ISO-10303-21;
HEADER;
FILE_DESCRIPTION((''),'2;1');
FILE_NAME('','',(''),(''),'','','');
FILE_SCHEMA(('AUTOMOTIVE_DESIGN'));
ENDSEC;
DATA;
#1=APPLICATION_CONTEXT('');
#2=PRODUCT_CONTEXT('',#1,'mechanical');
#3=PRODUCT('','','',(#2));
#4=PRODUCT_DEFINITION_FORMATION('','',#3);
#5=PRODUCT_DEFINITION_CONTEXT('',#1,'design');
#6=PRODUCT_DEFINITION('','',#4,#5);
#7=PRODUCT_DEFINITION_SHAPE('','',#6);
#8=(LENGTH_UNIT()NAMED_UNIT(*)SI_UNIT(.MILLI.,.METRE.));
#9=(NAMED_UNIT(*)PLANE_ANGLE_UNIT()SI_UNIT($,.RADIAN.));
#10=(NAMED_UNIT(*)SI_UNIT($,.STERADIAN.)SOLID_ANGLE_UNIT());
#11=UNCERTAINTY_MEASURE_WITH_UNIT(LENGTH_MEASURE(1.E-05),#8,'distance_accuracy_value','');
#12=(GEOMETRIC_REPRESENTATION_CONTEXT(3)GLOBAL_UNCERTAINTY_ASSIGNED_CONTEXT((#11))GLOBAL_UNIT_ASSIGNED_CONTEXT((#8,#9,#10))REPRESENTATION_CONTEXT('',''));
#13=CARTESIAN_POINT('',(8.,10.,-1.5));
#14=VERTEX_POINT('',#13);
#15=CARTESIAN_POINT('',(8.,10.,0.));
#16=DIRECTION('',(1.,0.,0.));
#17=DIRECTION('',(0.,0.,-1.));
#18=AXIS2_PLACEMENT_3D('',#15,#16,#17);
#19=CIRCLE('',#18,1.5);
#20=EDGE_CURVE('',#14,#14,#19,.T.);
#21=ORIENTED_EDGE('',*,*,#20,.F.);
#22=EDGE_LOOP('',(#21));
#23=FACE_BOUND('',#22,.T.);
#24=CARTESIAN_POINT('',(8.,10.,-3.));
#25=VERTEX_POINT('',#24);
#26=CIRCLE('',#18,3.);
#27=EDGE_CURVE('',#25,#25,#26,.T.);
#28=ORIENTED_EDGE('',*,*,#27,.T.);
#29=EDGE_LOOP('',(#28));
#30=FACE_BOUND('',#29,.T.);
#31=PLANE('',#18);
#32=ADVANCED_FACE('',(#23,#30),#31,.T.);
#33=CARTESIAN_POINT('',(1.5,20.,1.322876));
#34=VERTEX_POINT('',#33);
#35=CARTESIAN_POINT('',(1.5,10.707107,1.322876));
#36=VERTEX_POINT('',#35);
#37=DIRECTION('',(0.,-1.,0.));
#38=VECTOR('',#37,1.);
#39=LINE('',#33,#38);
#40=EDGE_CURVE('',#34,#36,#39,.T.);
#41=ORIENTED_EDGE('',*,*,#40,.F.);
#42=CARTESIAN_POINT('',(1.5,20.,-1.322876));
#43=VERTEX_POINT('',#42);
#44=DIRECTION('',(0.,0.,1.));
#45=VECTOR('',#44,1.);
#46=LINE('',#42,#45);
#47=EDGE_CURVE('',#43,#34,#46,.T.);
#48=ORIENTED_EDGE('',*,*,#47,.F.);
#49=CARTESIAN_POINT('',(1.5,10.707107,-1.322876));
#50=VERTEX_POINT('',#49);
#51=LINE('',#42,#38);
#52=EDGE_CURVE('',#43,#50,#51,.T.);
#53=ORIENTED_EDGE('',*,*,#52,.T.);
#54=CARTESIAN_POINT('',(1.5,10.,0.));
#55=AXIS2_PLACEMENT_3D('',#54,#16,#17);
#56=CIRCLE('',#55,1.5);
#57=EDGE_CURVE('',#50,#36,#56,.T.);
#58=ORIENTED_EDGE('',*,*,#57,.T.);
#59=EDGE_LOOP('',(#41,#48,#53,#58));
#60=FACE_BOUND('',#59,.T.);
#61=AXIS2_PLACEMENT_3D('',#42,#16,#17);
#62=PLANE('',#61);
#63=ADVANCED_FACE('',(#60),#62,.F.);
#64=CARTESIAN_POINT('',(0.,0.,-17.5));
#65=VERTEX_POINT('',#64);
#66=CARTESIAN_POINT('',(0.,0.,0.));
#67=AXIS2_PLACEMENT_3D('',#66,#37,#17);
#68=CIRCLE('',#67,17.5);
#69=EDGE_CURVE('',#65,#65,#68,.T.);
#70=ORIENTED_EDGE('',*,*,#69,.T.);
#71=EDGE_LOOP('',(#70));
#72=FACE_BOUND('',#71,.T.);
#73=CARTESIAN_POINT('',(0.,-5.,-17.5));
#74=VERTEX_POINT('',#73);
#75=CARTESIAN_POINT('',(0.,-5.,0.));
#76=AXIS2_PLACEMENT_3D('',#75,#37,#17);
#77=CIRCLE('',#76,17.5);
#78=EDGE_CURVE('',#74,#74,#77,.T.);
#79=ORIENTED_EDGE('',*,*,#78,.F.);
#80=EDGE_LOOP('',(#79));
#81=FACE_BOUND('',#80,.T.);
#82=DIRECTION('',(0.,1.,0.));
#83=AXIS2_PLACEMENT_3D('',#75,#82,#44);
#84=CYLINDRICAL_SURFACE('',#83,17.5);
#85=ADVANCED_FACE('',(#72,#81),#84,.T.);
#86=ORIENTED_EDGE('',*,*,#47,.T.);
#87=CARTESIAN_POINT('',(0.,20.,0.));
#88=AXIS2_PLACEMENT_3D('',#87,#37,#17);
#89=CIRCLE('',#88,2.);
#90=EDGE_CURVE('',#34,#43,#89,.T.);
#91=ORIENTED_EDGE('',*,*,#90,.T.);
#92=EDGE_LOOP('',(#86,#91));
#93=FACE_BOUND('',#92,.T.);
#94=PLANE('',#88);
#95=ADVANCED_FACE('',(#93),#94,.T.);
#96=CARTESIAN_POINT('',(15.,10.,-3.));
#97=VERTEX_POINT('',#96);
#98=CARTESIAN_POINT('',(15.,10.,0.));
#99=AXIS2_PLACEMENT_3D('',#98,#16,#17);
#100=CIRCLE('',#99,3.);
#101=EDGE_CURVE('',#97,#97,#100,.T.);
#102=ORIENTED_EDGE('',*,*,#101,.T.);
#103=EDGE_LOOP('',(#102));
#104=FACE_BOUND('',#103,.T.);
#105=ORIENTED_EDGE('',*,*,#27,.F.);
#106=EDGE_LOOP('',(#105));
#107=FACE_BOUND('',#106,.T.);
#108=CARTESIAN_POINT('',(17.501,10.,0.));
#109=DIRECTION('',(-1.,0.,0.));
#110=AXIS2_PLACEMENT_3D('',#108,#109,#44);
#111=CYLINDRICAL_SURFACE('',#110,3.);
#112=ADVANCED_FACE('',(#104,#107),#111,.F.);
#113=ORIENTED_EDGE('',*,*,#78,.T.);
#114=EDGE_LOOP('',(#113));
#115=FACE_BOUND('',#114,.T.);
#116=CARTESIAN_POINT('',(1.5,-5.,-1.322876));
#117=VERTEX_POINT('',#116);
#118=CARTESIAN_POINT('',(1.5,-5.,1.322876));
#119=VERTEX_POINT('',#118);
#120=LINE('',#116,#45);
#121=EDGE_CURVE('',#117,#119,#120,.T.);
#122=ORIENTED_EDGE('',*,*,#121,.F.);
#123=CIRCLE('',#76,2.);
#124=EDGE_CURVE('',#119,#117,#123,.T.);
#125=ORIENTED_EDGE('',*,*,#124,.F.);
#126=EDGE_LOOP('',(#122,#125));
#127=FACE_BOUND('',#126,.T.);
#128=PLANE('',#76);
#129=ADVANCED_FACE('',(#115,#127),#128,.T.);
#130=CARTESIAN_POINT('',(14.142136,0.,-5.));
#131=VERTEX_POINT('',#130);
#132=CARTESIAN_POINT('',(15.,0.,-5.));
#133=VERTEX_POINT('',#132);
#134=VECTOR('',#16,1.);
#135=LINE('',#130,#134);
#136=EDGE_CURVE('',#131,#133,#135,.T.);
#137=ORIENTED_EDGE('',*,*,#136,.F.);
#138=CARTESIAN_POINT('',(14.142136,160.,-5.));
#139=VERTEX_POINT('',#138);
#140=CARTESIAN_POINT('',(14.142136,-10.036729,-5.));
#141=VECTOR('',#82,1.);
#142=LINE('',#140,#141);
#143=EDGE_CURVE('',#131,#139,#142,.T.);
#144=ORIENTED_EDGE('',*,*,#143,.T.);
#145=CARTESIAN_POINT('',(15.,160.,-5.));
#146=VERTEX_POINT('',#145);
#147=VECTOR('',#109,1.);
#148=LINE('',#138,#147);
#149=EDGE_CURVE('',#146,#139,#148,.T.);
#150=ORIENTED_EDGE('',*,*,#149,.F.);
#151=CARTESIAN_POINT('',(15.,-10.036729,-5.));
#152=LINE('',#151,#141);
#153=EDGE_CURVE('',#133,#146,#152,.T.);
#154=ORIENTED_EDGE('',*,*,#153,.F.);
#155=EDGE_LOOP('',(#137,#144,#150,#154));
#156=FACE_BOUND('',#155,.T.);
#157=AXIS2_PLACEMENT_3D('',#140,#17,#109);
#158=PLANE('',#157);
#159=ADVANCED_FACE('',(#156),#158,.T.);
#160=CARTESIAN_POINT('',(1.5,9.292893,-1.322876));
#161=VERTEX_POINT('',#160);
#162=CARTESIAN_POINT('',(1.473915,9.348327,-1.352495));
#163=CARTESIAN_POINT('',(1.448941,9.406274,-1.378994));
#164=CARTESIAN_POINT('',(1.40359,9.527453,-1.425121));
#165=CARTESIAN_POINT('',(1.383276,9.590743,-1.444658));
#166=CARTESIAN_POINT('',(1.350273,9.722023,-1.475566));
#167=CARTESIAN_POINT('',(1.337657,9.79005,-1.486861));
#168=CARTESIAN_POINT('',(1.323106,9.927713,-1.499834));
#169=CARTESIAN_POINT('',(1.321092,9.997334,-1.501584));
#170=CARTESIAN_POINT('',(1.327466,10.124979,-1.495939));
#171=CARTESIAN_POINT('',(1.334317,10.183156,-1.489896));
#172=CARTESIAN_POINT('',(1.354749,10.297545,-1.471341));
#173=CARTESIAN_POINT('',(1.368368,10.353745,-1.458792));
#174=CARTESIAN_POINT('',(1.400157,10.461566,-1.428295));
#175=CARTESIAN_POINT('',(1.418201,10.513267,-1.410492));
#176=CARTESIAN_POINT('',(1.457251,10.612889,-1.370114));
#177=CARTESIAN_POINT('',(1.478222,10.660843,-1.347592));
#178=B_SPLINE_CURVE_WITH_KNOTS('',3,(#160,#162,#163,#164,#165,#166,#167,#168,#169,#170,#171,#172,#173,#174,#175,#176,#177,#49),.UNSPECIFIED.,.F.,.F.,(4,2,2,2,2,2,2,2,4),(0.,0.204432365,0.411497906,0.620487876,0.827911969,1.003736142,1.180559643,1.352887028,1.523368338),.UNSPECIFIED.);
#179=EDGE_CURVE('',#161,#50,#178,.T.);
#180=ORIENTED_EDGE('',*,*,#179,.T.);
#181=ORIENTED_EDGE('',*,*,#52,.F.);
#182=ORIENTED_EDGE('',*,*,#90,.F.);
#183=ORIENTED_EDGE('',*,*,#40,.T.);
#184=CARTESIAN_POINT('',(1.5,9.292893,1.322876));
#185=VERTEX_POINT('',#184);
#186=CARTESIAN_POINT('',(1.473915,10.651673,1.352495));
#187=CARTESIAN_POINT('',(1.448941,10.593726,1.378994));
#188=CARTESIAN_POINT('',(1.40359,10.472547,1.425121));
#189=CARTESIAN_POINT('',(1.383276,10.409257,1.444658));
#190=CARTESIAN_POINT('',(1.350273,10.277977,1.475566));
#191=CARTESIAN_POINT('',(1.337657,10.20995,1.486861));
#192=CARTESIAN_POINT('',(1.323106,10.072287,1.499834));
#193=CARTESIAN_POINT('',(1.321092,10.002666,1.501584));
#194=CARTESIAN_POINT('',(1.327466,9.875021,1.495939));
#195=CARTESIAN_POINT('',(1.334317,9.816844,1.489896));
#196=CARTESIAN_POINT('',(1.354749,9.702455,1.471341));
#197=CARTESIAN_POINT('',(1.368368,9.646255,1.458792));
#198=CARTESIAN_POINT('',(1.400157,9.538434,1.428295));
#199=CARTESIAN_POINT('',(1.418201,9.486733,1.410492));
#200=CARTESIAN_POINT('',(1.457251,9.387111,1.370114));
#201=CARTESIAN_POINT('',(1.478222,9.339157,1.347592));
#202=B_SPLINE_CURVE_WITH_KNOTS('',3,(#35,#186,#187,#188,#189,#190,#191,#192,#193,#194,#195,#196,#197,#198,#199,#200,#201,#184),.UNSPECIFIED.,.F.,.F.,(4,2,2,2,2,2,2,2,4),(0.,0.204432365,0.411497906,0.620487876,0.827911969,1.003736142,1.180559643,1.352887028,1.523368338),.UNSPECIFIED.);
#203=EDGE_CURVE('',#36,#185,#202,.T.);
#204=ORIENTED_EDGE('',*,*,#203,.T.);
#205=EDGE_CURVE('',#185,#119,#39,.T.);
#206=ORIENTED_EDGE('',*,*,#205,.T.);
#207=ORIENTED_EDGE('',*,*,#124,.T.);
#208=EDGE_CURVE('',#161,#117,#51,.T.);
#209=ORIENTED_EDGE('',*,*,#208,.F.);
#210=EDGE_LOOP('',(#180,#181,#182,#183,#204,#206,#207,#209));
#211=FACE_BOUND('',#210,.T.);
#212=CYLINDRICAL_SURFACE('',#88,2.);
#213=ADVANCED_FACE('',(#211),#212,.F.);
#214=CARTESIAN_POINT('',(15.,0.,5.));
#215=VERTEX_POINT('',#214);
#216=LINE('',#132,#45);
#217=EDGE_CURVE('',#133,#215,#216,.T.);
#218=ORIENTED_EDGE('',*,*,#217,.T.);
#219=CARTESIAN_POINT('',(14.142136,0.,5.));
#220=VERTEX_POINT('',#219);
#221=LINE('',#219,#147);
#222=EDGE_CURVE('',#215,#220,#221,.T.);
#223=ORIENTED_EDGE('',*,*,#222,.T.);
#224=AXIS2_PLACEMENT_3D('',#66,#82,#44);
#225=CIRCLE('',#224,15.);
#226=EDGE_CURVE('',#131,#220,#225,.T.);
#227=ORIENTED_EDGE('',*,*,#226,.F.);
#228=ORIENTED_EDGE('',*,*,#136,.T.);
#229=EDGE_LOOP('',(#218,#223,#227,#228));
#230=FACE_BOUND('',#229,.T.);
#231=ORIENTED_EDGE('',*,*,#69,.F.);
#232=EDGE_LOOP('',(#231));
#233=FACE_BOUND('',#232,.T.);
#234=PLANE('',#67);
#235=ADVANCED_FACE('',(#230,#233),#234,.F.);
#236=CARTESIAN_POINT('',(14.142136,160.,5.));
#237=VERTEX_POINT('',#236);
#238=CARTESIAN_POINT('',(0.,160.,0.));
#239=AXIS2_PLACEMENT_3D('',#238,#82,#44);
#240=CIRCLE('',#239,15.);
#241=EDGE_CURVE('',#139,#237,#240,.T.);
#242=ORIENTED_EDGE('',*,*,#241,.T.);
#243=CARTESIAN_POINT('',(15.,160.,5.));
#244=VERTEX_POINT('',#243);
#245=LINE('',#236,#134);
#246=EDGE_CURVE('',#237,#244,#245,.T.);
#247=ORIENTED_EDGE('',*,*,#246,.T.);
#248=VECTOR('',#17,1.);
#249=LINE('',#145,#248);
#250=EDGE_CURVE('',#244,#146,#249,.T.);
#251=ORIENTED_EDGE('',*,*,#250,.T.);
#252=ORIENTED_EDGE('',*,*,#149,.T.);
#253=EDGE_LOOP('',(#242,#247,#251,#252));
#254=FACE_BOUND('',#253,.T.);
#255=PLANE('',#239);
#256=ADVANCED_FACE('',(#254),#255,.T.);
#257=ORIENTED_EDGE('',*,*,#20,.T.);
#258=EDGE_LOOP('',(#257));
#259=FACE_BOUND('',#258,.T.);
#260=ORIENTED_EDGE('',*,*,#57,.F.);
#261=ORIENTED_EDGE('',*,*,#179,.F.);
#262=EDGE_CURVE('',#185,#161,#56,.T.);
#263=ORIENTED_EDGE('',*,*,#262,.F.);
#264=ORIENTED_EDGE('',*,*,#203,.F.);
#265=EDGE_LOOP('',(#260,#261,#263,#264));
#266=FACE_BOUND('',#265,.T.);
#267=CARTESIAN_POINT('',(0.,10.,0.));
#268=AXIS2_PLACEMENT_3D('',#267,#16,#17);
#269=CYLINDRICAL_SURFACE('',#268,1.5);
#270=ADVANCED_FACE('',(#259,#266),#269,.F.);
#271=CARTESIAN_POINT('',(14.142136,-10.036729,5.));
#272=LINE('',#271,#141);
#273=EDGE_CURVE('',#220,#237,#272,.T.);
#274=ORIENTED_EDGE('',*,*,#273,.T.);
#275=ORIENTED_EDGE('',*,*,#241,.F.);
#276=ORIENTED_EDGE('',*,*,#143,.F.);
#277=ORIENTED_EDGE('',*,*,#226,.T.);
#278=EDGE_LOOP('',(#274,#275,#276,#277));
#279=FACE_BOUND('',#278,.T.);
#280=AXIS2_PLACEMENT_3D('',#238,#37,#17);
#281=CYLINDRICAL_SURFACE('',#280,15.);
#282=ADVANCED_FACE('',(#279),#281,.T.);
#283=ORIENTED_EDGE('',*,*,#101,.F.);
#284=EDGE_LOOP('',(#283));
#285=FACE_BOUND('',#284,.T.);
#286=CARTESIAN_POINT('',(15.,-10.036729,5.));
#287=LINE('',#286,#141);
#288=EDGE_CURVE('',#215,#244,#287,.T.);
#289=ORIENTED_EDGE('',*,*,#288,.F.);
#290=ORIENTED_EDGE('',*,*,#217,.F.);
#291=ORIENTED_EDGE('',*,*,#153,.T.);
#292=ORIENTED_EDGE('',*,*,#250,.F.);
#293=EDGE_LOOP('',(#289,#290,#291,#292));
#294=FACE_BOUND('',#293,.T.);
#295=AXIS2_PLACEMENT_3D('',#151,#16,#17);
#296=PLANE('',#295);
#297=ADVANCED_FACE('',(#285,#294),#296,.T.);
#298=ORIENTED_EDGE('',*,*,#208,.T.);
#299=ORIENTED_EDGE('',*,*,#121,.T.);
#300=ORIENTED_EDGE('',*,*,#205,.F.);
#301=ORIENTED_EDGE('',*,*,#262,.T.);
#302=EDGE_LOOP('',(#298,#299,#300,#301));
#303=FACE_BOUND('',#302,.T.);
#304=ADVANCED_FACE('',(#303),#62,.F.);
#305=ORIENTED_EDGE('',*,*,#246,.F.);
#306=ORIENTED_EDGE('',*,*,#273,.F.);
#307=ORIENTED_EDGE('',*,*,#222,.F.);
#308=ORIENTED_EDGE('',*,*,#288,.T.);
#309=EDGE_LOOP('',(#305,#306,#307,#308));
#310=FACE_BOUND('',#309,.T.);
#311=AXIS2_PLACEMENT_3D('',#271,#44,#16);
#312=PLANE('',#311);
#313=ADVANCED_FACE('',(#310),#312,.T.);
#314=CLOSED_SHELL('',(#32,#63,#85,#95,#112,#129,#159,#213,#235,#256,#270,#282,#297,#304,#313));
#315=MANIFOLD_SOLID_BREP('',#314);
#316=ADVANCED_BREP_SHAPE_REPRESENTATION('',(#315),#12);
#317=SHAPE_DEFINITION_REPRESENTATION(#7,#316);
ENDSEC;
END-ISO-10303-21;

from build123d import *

# Parameters (mm, degrees)
SKETCH1_R           = 15
BOSS_EXTRUDE1_DEPTH = 160
SKETCH2_W           = 0.857864376
SKETCH2_H           = 10
BOSS_EXTRUDE2_DEPTH = 160
SKETCH6_R           = 17.5
BOSS_EXTRUDE4_DEPTH = 5
CUT_EXTRUDE1_DEPTH  = 25
SKETCH4_R           = 1.5
CUT_EXTRUDE2_DEPTH  = 15
CUT_EXTRUDE3_REACH  = 171.903
CUT_EXTRUDE3_START  = 8
SKETCH7_R           = 3


with BuildPart() as part:
    # Sketch1 → Boss-Extrude1 (new body)
    with BuildSketch(Plane(origin=(0, 0, 0), x_dir=(1, 0, 0), z_dir=(0, 1, 0))):
        with Locations(Location((0, 0, 0), (0, 0, 270))):
            Circle(SKETCH1_R)
    extrude(amount=BOSS_EXTRUDE1_DEPTH)

    # Sketch2 → Boss-Extrude2 (add)
    with BuildSketch(Plane(origin=(0, 160, 0), x_dir=(1, 0, 0), z_dir=(0, 1, 0))):
        with Locations((14.571067812, 0)):
            Rectangle(SKETCH2_W, SKETCH2_H)
    extrude(amount=-BOSS_EXTRUDE2_DEPTH)

    # Sketch6 → Boss-Extrude4 (add)
    with BuildSketch(Plane.XZ):
        with Locations(Location((0, 0, 0), (0, 0, 270))):
            Circle(SKETCH6_R)
    extrude(amount=BOSS_EXTRUDE4_DEPTH)

    # Sketch3 → Cut-Extrude1 (cut)
    with BuildSketch(Plane.XZ.offset(5)):
        with BuildLine():
            Line((1.5, -1.322875656), (1.5, 1.322875656))
            ThreePointArc((1.5, 1.322875656), (-2, 0), (1.5, -1.322875656))
        make_face()
    extrude(amount=-CUT_EXTRUDE1_DEPTH, mode=Mode.SUBTRACT)

    # Sketch4 → Cut-Extrude2 (cut)
    with BuildSketch(Plane(origin=(15, 0, 0), x_dir=(0, 0, -1), z_dir=(1, 0, 0))):
        with Locations((0, 10)):
            Circle(SKETCH4_R)
    extrude(amount=-CUT_EXTRUDE2_DEPTH, mode=Mode.SUBTRACT)

    # Sketch7 → Cut-Extrude3 (cut, up to next)
    with BuildSketch(Plane(origin=(0, 0, 0), x_dir=(0, 0, -1), z_dir=(1, 0, 0)).offset(CUT_EXTRUDE3_START), mode=Mode.PRIVATE) as cut_extrude3_sk1:
        with Locations((0, 10)):
            Circle(SKETCH7_R)
    cut_extrude3_tool1 = extrude(cut_extrude3_sk1.sketch, amount=CUT_EXTRUDE3_REACH, mode=Mode.PRIVATE) & part.part
    add(cut_extrude3_tool1.solids().sort_by_distance((8, 10, 0))[0], mode=Mode.SUBTRACT)


solid = part.part
